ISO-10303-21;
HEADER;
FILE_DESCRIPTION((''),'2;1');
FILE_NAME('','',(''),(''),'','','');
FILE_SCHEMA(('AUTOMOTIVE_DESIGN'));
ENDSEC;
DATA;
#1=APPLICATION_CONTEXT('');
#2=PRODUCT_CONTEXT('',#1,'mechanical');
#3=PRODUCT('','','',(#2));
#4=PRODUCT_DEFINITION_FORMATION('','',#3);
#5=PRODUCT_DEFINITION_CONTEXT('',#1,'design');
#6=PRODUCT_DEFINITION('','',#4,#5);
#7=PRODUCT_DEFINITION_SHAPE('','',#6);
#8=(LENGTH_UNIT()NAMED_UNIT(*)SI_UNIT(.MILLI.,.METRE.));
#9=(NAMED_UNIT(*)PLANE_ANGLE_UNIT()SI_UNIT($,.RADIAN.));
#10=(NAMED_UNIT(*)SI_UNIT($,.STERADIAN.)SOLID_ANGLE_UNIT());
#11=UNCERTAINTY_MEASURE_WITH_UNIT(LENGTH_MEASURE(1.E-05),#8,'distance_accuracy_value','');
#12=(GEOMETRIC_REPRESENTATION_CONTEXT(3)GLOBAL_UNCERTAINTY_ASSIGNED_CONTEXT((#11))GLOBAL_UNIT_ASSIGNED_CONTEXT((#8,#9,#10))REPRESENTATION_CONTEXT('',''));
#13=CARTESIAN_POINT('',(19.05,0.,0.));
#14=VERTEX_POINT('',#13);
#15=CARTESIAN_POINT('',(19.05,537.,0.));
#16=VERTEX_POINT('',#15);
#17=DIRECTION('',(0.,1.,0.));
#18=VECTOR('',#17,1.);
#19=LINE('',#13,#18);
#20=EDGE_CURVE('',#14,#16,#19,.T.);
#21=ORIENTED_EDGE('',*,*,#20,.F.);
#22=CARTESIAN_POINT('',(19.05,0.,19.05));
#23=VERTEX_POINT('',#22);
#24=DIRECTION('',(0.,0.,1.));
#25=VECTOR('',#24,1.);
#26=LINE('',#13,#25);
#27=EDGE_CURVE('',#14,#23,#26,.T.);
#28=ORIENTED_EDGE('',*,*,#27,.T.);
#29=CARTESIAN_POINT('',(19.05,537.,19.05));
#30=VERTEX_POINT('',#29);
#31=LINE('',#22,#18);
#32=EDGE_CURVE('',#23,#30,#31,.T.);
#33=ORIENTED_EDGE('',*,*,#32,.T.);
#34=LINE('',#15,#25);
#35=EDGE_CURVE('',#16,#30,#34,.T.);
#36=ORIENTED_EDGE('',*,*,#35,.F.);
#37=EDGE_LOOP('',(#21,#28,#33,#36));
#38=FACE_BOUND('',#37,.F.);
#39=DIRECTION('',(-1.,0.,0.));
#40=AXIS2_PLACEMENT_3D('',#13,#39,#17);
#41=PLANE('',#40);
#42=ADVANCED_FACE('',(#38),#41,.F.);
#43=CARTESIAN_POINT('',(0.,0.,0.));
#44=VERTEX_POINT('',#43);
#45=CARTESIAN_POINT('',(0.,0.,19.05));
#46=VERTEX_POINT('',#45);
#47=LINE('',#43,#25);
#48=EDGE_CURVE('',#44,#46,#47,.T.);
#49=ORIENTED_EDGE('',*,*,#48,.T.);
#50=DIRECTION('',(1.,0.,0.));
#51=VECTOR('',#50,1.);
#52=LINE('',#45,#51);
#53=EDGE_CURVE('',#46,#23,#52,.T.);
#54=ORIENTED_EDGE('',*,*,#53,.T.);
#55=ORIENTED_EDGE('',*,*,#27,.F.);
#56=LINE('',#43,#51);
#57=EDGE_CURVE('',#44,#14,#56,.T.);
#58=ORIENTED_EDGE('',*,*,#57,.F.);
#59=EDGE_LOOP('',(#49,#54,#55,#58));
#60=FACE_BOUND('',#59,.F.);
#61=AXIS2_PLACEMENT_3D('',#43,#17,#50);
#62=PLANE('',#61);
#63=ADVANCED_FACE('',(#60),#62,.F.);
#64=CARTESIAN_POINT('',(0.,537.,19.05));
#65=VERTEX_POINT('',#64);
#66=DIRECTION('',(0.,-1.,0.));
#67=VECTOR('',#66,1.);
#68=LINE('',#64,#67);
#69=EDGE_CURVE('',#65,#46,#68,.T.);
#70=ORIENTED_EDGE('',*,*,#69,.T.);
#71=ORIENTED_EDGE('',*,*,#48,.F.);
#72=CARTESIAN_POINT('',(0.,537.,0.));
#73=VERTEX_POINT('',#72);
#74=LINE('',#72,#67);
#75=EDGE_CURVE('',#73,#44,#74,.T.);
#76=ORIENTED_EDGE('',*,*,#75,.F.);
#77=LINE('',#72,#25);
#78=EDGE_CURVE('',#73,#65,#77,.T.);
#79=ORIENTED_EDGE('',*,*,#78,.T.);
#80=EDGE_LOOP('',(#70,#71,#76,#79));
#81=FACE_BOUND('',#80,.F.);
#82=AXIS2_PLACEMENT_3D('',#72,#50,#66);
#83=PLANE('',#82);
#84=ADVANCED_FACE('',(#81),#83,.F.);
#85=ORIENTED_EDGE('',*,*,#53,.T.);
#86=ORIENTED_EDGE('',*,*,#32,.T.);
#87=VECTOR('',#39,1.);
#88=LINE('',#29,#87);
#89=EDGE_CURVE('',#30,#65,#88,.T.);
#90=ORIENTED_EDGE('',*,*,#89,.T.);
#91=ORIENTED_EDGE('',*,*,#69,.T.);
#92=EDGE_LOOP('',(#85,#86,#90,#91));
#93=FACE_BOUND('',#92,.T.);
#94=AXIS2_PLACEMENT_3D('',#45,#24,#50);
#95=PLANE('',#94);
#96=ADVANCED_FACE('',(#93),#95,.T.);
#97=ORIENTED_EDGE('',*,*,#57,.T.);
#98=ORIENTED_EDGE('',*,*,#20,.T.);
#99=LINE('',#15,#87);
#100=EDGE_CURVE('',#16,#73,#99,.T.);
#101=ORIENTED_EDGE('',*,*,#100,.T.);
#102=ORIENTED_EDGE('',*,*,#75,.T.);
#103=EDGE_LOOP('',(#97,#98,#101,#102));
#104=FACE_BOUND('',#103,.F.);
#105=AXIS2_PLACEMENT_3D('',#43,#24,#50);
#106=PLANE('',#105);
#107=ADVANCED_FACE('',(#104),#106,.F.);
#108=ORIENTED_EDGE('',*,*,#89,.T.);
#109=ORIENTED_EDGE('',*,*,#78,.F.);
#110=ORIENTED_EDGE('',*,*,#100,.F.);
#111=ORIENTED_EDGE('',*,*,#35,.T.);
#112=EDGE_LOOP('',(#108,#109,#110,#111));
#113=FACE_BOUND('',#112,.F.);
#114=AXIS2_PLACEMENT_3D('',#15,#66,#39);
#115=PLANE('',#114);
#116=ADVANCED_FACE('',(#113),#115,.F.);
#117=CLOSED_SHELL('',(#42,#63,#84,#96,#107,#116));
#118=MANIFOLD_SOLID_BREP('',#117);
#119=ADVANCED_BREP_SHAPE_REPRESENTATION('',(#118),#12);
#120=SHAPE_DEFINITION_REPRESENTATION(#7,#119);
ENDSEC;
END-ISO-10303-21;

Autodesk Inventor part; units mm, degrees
ref_plane "YZ Plane" through (0, 0, 0) normal (1, 0, 0) x (0, 1, 0)
ref_plane "XZ Plane" through (0, 0, 0) normal (0, 1, 0) x (-1, 0, 0)
ref_plane "XY Plane" through (0, 0, 0) normal (0, 0, 1) x (1, 0, 0)
sketch "Sketch1" plane through (0, 0, 0) normal (0, 0, 1) x (1, 0, 0)
  line L0 (0, 0) -> (19.05, 0)
  line L1 (19.05, 0) -> (19.05, 537)
  line L2 (19.05, 537) -> (0, 537)
  line L3 (0, 537) -> (0, 0)
  dimension "d0" = 19.05
  dimension "d1" = 537
extrude "Extrusion1" add sketch "Sketch1" along normal blind 19.05
properties part number "C008" material "Wood (Birch)"
